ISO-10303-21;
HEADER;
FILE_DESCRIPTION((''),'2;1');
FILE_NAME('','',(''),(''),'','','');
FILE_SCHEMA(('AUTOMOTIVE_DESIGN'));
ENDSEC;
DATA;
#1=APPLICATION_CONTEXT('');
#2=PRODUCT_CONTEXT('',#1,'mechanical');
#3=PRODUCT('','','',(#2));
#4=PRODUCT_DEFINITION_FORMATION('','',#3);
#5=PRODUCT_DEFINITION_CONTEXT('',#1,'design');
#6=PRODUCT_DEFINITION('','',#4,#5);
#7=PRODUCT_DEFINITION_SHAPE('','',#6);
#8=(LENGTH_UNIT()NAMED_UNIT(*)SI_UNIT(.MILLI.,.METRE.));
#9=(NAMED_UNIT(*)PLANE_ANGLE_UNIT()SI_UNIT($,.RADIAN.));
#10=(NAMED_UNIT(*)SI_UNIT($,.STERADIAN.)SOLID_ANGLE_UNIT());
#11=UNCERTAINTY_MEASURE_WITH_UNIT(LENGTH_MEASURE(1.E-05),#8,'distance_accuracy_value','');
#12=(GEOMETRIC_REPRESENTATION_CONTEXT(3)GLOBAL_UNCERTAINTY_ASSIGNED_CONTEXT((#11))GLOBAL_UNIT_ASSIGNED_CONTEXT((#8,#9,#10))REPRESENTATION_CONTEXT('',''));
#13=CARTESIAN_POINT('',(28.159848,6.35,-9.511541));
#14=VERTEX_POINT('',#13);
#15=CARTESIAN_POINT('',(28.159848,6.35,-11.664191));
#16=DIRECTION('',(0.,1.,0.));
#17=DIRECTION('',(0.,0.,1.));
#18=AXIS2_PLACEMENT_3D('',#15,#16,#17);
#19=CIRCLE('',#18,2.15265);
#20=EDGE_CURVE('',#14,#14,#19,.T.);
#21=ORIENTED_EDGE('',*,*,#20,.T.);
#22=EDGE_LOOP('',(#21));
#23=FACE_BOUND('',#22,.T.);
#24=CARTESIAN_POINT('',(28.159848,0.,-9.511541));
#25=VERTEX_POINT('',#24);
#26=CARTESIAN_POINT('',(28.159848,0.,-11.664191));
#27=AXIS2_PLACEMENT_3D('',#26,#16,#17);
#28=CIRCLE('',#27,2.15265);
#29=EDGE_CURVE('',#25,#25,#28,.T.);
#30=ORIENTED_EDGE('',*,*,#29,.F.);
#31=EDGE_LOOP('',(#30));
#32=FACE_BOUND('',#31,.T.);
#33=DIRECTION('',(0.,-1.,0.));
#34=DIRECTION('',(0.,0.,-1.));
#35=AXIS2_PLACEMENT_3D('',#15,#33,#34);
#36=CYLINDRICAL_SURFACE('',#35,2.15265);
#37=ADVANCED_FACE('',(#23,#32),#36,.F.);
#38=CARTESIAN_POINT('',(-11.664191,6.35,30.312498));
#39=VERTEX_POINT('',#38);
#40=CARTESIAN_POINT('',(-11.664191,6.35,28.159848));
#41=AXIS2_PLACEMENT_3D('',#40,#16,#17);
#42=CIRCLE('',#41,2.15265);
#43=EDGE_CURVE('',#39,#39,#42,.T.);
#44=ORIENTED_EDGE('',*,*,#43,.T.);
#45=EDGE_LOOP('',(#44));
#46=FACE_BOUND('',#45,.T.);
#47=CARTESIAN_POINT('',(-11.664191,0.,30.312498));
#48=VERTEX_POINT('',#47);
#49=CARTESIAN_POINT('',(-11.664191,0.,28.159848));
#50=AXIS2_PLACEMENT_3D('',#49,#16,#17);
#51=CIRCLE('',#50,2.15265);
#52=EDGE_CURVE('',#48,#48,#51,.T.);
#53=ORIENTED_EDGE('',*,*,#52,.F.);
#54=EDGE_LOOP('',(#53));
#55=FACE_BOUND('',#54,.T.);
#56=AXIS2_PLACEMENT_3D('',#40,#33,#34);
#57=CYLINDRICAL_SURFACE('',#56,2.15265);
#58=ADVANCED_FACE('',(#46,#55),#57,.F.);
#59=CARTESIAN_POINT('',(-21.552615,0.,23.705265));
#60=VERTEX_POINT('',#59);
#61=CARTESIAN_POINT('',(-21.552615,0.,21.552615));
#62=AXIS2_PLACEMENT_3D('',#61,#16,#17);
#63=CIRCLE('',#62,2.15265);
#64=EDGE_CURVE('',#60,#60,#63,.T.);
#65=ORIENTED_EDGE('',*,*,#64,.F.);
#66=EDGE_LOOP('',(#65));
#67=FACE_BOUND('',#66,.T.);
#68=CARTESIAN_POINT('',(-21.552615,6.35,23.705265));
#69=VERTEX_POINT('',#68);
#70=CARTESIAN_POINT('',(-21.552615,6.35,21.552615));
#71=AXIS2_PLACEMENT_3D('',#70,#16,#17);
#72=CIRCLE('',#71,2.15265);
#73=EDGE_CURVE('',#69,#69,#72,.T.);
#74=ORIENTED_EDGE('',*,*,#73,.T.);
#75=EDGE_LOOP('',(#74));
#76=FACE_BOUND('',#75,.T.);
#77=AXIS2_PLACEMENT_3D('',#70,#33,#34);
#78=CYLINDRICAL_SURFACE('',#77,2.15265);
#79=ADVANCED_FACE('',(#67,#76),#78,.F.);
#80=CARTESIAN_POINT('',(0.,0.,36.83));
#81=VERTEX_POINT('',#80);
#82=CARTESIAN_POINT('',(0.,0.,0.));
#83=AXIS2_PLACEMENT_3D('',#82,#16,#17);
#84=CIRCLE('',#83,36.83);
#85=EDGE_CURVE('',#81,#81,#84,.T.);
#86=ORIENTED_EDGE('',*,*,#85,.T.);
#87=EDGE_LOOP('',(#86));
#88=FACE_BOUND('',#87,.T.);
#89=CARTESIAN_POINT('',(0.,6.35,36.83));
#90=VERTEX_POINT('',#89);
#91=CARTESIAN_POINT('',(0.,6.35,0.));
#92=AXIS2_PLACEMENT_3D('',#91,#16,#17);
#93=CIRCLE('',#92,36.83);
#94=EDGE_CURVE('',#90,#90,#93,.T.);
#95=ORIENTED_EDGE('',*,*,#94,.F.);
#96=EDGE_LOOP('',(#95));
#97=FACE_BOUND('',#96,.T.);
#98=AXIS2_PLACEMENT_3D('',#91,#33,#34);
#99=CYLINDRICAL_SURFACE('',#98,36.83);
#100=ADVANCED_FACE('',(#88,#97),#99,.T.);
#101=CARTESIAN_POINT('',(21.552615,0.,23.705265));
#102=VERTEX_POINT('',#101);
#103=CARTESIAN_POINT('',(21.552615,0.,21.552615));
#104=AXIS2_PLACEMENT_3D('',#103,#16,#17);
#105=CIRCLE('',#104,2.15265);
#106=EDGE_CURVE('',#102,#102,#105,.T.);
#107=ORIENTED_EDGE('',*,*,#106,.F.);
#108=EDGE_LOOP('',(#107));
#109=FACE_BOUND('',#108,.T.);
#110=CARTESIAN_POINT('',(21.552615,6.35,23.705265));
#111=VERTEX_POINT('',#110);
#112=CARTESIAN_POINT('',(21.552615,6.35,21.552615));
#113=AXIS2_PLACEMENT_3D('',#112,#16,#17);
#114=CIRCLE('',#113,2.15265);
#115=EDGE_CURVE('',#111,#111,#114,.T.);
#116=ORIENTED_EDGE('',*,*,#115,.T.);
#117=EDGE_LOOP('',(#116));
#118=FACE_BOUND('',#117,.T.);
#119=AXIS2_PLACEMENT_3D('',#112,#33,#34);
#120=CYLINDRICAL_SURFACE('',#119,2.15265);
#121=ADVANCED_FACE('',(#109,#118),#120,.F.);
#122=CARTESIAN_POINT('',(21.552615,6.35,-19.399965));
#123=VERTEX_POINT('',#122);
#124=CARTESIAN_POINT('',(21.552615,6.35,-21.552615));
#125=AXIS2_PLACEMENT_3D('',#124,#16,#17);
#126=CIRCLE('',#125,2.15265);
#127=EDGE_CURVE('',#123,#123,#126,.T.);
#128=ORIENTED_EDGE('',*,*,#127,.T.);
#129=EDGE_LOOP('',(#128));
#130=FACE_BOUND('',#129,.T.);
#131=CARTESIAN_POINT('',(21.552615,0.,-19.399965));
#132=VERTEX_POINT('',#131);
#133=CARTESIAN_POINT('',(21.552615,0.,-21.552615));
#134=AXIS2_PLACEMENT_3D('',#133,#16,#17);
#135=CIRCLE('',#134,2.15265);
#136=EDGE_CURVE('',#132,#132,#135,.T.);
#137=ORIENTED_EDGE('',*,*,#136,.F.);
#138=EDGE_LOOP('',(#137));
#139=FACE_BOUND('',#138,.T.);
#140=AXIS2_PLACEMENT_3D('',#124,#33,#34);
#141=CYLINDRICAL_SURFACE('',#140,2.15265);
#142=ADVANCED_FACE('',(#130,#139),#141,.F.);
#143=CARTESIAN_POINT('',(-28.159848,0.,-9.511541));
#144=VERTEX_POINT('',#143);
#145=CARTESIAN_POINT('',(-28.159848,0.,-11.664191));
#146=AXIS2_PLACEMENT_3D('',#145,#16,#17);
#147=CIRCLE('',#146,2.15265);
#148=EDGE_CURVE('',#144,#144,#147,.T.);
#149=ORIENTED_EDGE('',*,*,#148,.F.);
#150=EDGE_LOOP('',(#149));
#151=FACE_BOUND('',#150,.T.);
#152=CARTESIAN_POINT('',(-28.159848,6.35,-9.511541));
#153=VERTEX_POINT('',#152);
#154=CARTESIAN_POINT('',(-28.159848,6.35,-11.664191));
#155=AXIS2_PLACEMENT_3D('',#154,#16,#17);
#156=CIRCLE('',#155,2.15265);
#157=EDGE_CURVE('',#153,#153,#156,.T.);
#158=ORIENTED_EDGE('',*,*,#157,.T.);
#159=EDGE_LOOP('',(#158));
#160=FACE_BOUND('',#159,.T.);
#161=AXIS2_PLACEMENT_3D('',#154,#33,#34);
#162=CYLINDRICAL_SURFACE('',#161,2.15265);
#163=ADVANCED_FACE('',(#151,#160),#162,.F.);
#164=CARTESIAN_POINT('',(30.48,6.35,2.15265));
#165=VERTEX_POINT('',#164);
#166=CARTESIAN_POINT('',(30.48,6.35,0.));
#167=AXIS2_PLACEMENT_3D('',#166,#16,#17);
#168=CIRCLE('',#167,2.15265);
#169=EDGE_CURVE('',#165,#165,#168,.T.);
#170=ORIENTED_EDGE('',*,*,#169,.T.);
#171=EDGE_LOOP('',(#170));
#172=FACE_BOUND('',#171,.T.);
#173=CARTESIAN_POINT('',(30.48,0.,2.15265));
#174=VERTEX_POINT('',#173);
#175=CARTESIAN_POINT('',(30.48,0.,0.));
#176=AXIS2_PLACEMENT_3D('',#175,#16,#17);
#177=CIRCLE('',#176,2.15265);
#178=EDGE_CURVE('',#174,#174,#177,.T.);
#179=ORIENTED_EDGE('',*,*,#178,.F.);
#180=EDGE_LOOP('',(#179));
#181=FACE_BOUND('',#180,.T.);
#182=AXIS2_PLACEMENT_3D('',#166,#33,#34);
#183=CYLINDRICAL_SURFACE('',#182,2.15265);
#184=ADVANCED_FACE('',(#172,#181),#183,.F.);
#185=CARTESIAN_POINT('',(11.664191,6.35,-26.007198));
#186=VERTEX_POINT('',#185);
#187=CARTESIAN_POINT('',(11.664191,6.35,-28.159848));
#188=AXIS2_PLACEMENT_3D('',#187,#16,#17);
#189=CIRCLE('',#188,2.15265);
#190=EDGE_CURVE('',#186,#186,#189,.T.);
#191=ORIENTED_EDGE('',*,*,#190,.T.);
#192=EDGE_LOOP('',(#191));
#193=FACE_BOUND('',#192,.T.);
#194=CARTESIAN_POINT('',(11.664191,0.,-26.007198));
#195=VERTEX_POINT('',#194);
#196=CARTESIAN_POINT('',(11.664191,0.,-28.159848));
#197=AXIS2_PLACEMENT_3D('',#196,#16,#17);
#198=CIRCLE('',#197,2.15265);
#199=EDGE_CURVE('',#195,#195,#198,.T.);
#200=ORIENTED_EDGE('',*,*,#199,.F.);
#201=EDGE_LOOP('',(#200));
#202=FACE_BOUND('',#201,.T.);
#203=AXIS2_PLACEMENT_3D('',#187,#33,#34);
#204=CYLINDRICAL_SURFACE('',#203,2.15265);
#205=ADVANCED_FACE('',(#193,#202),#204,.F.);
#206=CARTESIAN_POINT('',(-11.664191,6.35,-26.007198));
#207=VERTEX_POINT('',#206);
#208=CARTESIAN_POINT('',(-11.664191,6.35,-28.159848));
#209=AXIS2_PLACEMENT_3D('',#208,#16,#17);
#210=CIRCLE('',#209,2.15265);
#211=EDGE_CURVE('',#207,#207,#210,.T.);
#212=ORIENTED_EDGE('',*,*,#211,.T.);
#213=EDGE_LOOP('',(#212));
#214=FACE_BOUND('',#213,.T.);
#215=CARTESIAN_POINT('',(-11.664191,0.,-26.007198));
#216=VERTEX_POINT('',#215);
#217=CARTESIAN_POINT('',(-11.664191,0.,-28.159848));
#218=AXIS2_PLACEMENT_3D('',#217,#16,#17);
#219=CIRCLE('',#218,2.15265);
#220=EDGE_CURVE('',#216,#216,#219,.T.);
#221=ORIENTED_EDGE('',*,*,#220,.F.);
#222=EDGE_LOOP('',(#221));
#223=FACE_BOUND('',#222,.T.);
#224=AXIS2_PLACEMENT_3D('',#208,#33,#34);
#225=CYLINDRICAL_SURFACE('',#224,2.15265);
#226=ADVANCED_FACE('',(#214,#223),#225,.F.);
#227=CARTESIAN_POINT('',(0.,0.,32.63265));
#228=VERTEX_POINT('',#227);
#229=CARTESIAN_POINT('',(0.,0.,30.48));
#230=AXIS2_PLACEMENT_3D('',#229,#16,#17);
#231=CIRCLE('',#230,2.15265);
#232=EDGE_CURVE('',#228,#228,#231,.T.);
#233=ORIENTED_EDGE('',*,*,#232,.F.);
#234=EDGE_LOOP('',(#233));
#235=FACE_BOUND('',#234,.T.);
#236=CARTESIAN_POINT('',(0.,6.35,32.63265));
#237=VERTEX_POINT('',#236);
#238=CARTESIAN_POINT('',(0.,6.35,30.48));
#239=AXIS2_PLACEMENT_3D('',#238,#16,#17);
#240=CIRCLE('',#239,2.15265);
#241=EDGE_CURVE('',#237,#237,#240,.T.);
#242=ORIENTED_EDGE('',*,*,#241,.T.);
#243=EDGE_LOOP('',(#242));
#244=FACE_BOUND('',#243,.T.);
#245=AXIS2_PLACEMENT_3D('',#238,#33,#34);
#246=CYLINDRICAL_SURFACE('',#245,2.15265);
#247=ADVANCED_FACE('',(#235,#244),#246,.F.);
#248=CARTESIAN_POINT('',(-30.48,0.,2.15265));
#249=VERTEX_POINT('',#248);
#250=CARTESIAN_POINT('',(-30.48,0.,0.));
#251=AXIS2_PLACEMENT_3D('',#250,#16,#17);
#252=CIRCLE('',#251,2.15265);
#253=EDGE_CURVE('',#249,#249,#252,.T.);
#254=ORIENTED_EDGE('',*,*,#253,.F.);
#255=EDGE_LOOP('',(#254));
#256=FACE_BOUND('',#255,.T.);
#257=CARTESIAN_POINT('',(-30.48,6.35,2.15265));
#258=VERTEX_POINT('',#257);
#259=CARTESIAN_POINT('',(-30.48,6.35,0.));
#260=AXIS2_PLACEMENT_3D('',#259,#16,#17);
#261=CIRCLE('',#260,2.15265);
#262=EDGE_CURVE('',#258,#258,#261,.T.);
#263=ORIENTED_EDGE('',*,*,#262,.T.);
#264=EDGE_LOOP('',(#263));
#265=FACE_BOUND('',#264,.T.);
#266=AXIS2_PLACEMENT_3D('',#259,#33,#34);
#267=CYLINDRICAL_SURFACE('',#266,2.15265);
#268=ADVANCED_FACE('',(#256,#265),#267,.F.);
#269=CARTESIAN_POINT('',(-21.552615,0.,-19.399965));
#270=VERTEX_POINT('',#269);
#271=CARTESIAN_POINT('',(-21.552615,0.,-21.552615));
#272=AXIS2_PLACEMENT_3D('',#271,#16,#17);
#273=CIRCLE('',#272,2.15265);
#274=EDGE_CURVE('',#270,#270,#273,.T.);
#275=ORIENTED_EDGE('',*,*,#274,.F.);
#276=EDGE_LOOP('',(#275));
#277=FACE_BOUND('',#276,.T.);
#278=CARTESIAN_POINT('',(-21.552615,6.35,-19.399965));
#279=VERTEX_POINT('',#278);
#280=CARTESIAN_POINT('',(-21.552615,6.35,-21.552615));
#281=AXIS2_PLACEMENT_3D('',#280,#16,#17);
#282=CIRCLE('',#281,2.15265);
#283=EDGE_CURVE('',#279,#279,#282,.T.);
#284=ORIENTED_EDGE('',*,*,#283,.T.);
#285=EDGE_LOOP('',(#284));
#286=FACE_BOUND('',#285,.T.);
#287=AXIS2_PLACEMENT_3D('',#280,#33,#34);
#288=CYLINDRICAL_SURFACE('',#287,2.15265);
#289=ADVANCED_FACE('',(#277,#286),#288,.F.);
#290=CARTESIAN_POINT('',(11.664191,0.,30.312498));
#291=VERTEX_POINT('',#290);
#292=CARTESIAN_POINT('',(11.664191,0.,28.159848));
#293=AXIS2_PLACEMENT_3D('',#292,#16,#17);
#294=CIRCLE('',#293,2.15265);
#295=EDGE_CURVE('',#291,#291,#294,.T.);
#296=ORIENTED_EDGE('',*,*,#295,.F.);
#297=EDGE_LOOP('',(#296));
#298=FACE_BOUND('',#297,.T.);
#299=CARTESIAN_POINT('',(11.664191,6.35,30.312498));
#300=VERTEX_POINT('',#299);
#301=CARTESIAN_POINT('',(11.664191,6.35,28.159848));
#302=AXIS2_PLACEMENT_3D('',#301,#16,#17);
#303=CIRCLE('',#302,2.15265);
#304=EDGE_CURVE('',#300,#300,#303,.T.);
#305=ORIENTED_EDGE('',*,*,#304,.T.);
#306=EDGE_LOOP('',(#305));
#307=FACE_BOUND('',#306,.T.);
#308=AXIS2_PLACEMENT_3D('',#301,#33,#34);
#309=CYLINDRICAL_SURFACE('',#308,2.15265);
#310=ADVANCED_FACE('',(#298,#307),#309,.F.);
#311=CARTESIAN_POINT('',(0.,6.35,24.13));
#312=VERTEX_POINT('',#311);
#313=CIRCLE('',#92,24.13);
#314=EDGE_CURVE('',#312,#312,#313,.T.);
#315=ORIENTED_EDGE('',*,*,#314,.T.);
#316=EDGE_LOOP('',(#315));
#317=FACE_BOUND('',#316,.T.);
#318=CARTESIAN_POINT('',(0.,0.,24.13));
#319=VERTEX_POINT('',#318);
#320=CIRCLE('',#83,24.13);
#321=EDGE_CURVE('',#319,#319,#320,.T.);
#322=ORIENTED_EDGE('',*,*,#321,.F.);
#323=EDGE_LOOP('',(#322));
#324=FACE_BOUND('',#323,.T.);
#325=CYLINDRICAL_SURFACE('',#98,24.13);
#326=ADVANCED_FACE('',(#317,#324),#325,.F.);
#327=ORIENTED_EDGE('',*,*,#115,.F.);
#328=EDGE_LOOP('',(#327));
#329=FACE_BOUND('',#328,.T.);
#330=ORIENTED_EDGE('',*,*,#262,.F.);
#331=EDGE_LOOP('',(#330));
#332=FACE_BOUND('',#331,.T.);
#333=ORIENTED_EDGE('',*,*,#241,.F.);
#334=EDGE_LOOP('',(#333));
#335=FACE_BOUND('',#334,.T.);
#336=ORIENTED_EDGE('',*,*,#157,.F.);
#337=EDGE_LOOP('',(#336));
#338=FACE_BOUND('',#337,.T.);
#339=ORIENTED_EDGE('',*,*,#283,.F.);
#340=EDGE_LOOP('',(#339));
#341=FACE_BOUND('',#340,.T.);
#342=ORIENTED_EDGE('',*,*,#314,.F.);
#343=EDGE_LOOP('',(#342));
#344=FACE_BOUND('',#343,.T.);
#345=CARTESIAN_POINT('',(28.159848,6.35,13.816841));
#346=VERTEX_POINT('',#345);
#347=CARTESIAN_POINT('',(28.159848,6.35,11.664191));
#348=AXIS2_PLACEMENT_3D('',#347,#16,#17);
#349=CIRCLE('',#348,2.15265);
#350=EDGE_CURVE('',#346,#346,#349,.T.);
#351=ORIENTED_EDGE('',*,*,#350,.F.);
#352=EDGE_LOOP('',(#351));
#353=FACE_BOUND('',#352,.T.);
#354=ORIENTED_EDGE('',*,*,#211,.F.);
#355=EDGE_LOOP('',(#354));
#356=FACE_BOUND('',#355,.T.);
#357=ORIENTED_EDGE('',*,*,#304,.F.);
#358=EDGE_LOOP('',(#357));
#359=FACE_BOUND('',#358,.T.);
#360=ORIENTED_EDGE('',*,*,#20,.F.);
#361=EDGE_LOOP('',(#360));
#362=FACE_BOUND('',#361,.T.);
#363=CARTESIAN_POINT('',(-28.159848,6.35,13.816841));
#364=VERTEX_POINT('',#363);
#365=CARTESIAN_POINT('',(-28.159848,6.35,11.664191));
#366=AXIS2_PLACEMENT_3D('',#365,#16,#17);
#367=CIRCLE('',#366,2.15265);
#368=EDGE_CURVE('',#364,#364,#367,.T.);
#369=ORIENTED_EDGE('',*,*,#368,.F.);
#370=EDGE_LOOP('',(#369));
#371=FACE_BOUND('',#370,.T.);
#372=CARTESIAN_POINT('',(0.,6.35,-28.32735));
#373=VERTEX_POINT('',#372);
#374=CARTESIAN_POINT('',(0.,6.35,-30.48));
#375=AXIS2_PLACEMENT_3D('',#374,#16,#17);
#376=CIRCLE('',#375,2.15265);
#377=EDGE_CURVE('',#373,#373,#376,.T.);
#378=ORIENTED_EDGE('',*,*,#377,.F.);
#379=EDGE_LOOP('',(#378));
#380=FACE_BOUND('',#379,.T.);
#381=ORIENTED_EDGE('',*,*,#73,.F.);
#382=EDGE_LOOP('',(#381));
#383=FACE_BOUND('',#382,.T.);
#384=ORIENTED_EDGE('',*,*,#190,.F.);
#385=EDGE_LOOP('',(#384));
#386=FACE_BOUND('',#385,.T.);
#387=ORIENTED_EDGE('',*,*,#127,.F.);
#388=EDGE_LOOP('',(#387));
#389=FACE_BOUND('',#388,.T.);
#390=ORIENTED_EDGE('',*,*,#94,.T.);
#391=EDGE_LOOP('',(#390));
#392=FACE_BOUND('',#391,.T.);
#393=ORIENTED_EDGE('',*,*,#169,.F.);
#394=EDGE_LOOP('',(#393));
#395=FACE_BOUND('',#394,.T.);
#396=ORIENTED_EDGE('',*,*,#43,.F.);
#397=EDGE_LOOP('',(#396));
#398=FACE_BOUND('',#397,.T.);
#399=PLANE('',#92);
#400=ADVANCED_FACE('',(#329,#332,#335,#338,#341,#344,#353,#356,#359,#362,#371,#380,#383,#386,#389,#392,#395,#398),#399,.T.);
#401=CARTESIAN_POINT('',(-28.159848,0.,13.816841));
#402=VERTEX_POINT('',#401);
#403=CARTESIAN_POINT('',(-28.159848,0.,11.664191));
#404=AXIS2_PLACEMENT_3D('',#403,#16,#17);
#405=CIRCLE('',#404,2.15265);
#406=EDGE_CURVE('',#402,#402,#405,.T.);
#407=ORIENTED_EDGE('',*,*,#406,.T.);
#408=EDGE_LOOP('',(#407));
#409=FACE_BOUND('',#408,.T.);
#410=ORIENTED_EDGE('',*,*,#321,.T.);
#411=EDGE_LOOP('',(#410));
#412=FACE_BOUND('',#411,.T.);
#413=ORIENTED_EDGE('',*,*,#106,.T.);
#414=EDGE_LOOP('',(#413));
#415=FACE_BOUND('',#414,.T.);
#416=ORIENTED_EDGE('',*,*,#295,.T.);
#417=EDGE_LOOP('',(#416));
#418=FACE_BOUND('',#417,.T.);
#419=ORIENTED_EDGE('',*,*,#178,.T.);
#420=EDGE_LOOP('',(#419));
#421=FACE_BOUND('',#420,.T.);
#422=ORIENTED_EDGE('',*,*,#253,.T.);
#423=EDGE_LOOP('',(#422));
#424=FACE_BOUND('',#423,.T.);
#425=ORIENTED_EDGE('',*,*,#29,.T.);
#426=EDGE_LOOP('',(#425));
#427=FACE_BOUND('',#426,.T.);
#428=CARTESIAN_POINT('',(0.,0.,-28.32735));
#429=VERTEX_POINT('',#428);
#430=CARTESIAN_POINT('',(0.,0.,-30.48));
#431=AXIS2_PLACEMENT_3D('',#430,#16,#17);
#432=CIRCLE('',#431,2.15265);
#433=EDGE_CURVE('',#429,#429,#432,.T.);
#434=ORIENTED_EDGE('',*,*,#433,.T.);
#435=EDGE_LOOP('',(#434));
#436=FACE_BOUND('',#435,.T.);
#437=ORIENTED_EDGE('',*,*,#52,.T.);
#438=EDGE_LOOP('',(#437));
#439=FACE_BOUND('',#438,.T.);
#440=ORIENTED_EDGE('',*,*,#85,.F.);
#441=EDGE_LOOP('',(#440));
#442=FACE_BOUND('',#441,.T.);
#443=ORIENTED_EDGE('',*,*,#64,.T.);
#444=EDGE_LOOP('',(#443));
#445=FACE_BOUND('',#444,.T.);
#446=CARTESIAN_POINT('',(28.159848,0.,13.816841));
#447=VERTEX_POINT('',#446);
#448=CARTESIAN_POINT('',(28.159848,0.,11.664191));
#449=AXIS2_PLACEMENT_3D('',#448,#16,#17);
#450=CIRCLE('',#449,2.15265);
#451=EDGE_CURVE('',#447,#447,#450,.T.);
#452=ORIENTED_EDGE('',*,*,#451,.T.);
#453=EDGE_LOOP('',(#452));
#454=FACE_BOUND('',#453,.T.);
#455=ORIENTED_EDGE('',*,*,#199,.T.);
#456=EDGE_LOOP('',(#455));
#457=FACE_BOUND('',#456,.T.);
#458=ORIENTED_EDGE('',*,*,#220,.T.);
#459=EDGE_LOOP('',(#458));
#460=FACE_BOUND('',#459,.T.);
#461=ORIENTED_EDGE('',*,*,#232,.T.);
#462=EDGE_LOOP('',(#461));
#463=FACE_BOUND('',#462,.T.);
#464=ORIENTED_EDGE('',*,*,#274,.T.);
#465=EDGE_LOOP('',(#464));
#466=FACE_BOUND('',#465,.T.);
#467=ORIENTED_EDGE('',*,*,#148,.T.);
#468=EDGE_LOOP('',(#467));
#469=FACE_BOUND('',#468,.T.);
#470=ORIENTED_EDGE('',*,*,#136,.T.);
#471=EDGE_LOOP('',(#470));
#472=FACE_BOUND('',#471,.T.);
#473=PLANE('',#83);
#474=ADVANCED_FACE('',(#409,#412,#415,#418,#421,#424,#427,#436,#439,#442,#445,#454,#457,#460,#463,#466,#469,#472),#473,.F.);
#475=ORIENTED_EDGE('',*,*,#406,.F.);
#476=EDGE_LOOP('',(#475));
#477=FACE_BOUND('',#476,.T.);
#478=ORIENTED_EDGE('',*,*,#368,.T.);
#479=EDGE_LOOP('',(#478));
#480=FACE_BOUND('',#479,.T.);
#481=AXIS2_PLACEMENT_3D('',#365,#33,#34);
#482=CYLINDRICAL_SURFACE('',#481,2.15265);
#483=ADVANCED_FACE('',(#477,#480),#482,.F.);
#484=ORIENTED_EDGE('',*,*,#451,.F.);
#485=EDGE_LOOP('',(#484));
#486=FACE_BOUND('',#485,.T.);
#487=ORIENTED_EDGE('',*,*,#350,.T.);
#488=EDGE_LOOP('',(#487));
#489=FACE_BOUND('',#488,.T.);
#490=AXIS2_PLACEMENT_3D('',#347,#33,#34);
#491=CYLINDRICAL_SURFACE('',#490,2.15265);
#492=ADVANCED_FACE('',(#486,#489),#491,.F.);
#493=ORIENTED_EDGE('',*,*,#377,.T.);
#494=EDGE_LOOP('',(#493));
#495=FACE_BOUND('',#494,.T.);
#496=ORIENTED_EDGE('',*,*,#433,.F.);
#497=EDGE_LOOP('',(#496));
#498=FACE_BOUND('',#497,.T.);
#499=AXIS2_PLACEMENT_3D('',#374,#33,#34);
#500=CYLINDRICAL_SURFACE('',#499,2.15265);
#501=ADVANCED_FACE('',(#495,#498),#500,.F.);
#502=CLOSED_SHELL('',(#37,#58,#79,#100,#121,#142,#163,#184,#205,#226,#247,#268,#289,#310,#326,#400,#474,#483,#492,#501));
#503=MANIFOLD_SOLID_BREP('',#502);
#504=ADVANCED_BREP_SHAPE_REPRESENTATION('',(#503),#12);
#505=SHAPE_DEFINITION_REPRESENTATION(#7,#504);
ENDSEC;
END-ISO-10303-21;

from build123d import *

# Parameters (mm, degrees)
SKETCH1_R           = 36.83
SKETCH1_R_2         = 24.13
SKETCH1_R_3         = 2.15265
BOSS_EXTRUDE1_DEPTH = 6.35


with BuildPart() as part:
    # Sketch1 → Boss-Extrude1 (new body)
    with BuildSketch(Plane(origin=(0, 0, 0), x_dir=(1, 0, 0), z_dir=(0, 1, 0))):
        Circle(SKETCH1_R)
        Circle(SKETCH1_R_2, mode=Mode.SUBTRACT)
        with Locations((0, 30.48)):
            Circle(SKETCH1_R_3, mode=Mode.SUBTRACT)
        with Locations((11.664191018, 28.159848151)):
            Circle(SKETCH1_R_3, mode=Mode.SUBTRACT)
        with Locations((21.552614691, 21.552614691)):
            Circle(SKETCH1_R_3, mode=Mode.SUBTRACT)
        with Locations((28.159848151, 11.664191018)):
            Circle(SKETCH1_R_3, mode=Mode.SUBTRACT)
        with Locations((30.48, 0)):
            Circle(SKETCH1_R_3, mode=Mode.SUBTRACT)
        with Locations((28.159848151, -11.664191018)):
            Circle(SKETCH1_R_3, mode=Mode.SUBTRACT)
        with Locations((21.552614691, -21.552614691)):
            Circle(SKETCH1_R_3, mode=Mode.SUBTRACT)
        with Locations((11.664191018, -28.159848151)):
            Circle(SKETCH1_R_3, mode=Mode.SUBTRACT)
        with Locations((0, -30.48)):
            Circle(SKETCH1_R_3, mode=Mode.SUBTRACT)
        with Locations((-11.664191018, -28.159848151)):
            Circle(SKETCH1_R_3, mode=Mode.SUBTRACT)
        with Locations((-21.552614691, -21.552614691)):
            Circle(SKETCH1_R_3, mode=Mode.SUBTRACT)
        with Locations((-28.159848151, -11.664191018)):
            Circle(SKETCH1_R_3, mode=Mode.SUBTRACT)
        with Locations((-30.48, 0)):
            Circle(SKETCH1_R_3, mode=Mode.SUBTRACT)
        with Locations((-28.159848151, 11.664191018)):
            Circle(SKETCH1_R_3, mode=Mode.SUBTRACT)
        with Locations((-21.552614691, 21.552614691)):
            Circle(SKETCH1_R_3, mode=Mode.SUBTRACT)
        with Locations((-11.664191018, 28.159848151)):
            Circle(SKETCH1_R_3, mode=Mode.SUBTRACT)
    extrude(amount=BOSS_EXTRUDE1_DEPTH)


solid = part.part
